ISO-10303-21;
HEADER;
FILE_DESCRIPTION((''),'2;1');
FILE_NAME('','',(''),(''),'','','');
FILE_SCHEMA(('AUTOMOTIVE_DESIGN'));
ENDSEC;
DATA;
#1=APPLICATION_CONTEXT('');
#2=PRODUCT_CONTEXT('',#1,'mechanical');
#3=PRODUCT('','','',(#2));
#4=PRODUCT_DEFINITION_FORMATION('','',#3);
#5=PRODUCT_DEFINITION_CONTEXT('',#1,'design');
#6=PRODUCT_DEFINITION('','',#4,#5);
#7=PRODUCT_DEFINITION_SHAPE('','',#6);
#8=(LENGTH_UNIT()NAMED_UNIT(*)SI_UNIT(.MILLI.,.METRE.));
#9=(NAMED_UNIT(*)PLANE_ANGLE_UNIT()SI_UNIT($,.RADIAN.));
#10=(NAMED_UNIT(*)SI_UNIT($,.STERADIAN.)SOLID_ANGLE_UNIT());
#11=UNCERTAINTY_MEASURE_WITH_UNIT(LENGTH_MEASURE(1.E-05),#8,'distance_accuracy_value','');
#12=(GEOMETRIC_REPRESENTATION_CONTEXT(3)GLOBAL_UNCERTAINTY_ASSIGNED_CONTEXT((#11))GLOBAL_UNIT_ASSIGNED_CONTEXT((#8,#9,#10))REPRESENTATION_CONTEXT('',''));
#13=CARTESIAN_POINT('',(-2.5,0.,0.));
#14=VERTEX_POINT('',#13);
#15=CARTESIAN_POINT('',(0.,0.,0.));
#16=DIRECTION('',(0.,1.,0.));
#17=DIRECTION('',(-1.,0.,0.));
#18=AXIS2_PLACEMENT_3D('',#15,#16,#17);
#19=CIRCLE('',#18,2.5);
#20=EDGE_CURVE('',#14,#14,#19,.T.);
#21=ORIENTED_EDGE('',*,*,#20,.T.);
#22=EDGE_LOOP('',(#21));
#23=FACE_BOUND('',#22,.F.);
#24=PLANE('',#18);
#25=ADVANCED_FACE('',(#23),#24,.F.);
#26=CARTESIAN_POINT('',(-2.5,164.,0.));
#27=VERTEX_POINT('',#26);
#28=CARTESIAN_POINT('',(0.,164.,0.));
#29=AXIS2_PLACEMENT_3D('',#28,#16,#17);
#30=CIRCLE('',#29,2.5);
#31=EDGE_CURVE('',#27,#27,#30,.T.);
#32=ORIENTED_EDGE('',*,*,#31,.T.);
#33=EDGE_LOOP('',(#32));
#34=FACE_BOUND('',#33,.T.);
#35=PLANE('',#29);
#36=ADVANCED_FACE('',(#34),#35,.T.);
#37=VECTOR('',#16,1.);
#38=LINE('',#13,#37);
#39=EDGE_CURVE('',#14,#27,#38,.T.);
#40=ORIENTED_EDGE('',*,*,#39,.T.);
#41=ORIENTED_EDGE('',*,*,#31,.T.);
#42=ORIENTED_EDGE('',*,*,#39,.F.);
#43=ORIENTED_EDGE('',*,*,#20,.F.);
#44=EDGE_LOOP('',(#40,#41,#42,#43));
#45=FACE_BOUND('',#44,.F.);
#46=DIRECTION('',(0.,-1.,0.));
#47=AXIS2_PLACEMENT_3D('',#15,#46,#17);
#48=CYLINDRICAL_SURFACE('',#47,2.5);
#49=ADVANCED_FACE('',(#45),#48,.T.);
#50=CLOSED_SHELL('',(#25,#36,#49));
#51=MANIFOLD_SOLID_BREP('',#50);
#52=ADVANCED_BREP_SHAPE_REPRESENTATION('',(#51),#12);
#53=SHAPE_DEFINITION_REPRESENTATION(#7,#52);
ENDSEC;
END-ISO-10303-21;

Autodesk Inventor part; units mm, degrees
ref_plane "YZ Plane" through (0, 0, 0) normal (1, 0, 0) x (0, 1, 0)
ref_plane "XZ Plane" through (0, 0, 0) normal (0, 1, 0) x (-1, 0, 0)
ref_plane "XY Plane" through (0, 0, 0) normal (0, 0, 1) x (1, 0, 0)
sketch "Sketch1" plane through (0, 0, 0) normal (0, 1, 0) x (-1, 0, 0)
  circle A0 centre (0, 0) radius 2.5
  dimension "d0" = 5
extrude "Extrusion1" add sketch "Sketch1" along normal blind 164
thread "Thread1" size "M5x0.8" class "6g" standard "ANSI Metric M Profile" full length
properties part number "Varilla M5"
